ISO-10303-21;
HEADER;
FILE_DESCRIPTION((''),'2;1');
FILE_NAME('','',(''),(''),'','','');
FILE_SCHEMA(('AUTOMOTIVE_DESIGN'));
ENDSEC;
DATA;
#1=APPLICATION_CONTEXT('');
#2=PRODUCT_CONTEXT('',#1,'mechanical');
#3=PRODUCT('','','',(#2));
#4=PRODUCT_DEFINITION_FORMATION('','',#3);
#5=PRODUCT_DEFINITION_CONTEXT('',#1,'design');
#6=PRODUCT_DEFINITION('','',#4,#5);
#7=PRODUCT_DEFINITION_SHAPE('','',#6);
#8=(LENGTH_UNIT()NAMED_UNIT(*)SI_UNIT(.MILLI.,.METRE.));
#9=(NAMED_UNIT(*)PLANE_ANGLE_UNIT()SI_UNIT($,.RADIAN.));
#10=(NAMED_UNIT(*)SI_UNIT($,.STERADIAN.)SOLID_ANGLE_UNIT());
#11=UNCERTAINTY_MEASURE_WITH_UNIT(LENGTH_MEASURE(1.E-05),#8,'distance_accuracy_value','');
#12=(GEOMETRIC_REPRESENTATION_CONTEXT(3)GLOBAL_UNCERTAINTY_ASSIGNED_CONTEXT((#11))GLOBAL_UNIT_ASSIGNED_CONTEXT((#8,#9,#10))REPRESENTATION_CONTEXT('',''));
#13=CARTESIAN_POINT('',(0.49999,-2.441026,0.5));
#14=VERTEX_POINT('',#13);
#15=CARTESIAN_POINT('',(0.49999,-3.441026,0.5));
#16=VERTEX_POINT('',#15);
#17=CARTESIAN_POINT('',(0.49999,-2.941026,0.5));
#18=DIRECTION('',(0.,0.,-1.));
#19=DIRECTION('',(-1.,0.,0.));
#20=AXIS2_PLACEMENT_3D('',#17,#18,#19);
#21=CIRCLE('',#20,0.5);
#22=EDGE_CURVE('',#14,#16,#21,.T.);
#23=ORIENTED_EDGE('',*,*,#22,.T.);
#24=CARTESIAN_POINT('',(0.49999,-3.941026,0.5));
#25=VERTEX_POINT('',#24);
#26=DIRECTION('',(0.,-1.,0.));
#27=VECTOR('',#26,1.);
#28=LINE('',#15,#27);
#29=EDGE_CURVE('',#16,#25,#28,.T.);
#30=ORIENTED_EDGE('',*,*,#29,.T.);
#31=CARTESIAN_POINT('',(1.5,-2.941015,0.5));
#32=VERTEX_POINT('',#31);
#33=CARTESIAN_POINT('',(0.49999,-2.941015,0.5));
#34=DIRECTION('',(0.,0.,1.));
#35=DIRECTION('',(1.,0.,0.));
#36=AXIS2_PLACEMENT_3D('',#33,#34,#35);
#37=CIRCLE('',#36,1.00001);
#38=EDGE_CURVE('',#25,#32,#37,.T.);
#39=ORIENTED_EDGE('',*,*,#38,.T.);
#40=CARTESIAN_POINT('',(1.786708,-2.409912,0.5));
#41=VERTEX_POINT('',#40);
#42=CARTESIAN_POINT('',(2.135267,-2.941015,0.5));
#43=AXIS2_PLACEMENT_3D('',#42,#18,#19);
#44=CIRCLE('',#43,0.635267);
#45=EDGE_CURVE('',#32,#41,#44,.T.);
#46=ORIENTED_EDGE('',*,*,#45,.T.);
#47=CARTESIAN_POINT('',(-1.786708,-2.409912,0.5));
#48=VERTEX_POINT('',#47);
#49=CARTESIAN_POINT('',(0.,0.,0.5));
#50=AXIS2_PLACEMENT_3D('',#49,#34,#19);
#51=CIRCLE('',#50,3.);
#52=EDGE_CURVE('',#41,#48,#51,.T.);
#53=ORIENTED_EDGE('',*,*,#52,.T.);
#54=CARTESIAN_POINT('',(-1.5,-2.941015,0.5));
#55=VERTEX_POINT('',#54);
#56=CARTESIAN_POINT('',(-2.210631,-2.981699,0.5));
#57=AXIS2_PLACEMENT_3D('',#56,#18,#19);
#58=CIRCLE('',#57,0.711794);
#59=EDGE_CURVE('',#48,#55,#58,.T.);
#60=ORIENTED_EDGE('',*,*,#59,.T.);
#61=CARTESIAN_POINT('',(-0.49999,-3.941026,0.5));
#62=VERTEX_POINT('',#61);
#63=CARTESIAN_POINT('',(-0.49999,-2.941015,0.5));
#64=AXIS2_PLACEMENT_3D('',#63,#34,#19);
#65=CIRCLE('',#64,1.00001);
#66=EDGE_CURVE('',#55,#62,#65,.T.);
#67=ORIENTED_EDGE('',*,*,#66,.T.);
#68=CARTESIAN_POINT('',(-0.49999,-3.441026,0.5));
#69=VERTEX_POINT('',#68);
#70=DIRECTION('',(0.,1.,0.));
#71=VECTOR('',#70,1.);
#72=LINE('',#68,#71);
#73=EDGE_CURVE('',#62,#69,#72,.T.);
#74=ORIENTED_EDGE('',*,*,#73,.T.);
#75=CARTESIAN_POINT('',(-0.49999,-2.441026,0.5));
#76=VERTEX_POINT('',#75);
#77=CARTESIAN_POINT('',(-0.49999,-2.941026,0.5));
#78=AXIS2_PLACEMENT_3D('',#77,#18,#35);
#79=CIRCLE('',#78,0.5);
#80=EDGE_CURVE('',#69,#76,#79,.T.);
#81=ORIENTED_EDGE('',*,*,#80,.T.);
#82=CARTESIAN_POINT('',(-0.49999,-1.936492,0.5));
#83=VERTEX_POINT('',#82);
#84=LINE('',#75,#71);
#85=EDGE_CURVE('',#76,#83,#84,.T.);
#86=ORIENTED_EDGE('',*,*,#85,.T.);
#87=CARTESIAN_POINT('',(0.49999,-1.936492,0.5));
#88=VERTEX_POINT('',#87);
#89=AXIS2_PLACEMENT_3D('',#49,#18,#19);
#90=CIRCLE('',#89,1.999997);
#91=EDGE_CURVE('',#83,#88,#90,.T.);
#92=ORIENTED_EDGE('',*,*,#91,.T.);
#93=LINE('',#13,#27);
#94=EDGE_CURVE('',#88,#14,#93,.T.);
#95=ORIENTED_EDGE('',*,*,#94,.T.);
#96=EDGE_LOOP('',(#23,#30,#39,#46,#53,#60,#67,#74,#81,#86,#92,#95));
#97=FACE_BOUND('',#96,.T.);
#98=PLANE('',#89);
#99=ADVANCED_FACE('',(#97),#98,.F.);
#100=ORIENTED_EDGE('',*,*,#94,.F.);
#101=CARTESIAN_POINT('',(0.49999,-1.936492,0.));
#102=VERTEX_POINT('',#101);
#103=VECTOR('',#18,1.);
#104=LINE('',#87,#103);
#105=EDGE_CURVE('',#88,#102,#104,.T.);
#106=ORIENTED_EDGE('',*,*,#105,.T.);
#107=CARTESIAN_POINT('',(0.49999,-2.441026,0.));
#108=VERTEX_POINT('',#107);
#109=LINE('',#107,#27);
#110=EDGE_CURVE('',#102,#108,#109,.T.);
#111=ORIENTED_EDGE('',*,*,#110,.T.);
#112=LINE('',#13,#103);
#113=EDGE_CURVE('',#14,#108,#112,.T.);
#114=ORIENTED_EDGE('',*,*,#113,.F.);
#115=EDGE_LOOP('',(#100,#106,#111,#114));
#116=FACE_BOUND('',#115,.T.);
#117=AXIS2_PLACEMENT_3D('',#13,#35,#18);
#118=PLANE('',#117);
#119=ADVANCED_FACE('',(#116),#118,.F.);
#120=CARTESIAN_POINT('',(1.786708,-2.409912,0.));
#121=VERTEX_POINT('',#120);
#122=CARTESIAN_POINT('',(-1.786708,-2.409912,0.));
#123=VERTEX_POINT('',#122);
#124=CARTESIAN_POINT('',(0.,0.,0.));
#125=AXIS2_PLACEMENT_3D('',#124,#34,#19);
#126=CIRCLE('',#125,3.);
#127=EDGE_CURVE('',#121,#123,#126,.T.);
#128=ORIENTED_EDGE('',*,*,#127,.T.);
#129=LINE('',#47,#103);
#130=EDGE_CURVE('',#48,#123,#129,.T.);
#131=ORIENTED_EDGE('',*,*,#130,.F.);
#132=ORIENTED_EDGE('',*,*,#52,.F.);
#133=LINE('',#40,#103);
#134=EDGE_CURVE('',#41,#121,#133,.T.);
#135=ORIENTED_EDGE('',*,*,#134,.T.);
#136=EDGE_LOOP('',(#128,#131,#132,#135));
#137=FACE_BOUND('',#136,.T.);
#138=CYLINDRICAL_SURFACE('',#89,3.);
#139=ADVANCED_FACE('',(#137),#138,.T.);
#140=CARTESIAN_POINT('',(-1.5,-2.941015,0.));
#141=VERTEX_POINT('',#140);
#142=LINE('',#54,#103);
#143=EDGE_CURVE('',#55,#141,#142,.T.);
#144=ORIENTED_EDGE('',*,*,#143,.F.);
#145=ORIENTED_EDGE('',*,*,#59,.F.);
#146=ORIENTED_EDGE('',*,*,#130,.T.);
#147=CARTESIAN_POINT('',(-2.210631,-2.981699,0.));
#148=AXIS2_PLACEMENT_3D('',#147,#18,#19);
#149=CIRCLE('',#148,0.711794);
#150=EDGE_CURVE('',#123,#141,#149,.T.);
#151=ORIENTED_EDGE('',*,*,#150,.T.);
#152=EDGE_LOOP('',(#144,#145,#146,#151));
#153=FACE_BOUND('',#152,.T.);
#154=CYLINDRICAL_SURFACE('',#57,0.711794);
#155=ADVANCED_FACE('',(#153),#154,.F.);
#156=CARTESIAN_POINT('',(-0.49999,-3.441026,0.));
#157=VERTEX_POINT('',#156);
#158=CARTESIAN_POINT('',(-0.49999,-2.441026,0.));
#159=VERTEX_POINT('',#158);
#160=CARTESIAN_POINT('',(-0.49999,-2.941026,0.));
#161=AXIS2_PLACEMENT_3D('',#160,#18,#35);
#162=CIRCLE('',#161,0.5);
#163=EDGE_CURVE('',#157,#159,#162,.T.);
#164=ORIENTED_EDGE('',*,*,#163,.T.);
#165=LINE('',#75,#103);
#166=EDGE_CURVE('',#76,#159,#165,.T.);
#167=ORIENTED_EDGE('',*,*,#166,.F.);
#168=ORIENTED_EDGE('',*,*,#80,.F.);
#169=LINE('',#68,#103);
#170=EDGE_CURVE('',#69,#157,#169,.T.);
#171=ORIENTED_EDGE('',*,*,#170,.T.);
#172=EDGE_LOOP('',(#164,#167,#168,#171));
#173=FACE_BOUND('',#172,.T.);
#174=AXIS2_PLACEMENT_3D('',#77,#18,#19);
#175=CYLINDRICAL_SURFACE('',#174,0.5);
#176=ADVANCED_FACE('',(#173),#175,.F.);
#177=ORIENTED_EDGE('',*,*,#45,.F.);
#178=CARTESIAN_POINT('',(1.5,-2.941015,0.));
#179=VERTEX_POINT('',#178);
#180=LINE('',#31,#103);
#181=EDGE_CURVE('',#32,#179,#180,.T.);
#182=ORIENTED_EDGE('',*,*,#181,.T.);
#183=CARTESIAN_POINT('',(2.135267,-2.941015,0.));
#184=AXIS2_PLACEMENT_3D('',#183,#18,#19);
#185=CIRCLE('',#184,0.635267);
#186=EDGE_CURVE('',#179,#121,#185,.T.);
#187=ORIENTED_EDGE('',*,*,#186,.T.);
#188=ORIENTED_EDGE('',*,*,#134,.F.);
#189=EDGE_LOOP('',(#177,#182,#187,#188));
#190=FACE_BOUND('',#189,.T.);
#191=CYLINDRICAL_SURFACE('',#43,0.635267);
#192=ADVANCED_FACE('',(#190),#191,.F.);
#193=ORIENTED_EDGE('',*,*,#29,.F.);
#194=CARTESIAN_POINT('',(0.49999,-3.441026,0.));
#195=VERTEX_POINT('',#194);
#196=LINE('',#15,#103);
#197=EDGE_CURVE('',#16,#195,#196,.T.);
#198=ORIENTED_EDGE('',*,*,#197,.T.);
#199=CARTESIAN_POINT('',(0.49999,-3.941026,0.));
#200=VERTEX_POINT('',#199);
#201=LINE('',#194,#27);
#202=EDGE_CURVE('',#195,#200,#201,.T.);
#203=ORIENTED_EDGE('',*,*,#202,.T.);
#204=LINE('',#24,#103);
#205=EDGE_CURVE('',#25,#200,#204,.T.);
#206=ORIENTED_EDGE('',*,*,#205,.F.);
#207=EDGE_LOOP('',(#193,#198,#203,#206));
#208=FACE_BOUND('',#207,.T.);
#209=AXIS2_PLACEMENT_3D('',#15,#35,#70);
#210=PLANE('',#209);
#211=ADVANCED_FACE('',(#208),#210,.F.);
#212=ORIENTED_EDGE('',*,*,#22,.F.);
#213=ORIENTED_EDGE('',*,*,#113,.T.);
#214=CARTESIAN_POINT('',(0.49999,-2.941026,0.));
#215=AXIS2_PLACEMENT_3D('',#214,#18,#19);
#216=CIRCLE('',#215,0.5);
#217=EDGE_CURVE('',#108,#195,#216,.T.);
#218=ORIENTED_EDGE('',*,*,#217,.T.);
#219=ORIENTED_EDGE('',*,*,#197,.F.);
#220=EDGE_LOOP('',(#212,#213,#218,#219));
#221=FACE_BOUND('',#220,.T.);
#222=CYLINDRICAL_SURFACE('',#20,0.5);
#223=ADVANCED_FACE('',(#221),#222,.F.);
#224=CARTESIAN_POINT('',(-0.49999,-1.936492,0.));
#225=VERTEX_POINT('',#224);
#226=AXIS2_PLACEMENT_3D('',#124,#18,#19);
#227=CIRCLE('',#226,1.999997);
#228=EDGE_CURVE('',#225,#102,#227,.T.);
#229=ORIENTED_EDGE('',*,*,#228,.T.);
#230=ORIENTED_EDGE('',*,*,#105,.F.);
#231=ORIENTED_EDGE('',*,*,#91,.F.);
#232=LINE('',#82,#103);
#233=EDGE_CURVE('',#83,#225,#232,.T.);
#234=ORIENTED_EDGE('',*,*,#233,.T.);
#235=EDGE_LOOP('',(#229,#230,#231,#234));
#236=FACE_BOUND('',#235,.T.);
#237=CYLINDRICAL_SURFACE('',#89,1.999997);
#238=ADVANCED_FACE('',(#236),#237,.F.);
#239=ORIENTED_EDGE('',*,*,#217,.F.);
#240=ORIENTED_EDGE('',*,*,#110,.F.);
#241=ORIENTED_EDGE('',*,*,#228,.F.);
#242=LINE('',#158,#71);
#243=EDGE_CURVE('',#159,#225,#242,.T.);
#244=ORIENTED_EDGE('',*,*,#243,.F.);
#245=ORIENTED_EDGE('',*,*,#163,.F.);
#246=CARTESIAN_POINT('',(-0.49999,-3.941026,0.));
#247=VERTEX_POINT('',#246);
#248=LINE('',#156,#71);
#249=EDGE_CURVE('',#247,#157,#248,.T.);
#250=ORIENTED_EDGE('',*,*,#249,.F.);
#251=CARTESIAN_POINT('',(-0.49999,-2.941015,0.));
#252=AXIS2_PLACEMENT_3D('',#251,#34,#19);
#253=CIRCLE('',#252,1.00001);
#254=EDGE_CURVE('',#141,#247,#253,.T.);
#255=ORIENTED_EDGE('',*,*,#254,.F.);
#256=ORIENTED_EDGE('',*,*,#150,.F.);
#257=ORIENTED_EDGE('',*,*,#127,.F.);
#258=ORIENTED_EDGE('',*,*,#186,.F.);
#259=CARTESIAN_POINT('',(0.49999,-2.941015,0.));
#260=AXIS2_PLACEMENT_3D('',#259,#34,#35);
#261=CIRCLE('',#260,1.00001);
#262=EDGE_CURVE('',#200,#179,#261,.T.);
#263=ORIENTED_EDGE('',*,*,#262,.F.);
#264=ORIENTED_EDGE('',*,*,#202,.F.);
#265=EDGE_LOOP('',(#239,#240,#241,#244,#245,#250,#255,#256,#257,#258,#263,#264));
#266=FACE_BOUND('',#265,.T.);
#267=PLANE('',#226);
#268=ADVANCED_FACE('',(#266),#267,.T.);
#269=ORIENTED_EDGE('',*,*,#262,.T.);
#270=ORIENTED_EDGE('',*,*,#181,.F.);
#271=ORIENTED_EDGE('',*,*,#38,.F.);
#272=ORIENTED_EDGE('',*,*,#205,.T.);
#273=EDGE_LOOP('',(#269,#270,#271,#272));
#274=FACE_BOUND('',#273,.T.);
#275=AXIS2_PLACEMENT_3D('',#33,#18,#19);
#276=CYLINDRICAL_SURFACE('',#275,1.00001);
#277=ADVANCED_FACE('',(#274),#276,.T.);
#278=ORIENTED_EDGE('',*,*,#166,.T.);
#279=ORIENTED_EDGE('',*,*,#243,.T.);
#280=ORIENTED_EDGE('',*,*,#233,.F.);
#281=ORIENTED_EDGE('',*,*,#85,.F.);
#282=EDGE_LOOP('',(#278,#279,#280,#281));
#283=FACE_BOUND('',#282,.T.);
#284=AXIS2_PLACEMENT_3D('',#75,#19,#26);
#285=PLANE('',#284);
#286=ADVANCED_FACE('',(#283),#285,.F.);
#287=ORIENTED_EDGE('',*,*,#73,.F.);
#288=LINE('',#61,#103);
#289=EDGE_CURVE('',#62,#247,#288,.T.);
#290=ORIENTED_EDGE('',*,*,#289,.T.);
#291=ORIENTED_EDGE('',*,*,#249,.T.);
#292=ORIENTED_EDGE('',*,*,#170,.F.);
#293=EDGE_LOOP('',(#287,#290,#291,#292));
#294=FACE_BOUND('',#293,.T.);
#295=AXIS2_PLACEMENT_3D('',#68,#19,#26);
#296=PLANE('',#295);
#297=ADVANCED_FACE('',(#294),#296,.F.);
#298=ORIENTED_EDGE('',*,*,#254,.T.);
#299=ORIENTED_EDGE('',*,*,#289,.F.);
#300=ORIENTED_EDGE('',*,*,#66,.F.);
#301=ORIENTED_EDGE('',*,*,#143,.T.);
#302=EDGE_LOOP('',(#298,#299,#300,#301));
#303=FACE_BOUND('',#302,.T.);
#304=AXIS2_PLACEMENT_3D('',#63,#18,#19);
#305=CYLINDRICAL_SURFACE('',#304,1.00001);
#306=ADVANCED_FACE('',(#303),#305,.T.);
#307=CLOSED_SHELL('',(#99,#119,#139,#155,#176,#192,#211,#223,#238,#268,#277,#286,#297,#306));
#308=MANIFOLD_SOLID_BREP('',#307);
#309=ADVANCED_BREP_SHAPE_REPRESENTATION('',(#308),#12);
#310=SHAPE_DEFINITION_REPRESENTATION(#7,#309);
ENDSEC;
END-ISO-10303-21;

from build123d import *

# Parameters (mm, degrees)
SALIENTE_EXTRUIR1_DEPTH = 0.5


with BuildPart() as part:
    # Croquis1 → Saliente-Extruir1 (new body)
    with BuildSketch(Plane.XY):
        with BuildLine():
            Line((0.499989722, -2.441025539), (0.499989722, -1.936491673))
            ThreePointArc((0.499989722, -1.936491673), (0, 1.999997431), (-0.499989722, -1.936491673))
            Line((-0.499989722, -1.936491673), (-0.499989722, -2.441025539))
            ThreePointArc((-0.499989722, -2.441025539), (-0.999989722, -2.941025539), (-0.499989722, -3.441025539))
            Line((-0.499989722, -3.441025539), (-0.499989722, -3.941025539))
            ThreePointArc((-0.499989722, -3.941025539), (-1.207103771, -3.64812931), (-1.5, -2.941015261))
            ThreePointArc((-1.5, -2.941015261), (-1.584275622, -2.64357108), (-1.786707813, -2.409911864))
            ThreePointArc((-1.786707813, -2.409911864), (0, 3), (1.786707813, -2.409911864))
            ThreePointArc((1.786707813, -2.409911864), (1.576253442, -2.639240432), (1.5, -2.941015261))
            ThreePointArc((1.5, -2.941015261), (1.207103771, -3.64812931), (0.499989722, -3.941025539))
            Line((0.499989722, -3.941025539), (0.499989722, -3.441025539))
            ThreePointArc((0.499989722, -3.441025539), (0.999989722, -2.941025539), (0.499989722, -2.441025539))
        make_face()
    extrude(amount=SALIENTE_EXTRUIR1_DEPTH)


solid = part.part
